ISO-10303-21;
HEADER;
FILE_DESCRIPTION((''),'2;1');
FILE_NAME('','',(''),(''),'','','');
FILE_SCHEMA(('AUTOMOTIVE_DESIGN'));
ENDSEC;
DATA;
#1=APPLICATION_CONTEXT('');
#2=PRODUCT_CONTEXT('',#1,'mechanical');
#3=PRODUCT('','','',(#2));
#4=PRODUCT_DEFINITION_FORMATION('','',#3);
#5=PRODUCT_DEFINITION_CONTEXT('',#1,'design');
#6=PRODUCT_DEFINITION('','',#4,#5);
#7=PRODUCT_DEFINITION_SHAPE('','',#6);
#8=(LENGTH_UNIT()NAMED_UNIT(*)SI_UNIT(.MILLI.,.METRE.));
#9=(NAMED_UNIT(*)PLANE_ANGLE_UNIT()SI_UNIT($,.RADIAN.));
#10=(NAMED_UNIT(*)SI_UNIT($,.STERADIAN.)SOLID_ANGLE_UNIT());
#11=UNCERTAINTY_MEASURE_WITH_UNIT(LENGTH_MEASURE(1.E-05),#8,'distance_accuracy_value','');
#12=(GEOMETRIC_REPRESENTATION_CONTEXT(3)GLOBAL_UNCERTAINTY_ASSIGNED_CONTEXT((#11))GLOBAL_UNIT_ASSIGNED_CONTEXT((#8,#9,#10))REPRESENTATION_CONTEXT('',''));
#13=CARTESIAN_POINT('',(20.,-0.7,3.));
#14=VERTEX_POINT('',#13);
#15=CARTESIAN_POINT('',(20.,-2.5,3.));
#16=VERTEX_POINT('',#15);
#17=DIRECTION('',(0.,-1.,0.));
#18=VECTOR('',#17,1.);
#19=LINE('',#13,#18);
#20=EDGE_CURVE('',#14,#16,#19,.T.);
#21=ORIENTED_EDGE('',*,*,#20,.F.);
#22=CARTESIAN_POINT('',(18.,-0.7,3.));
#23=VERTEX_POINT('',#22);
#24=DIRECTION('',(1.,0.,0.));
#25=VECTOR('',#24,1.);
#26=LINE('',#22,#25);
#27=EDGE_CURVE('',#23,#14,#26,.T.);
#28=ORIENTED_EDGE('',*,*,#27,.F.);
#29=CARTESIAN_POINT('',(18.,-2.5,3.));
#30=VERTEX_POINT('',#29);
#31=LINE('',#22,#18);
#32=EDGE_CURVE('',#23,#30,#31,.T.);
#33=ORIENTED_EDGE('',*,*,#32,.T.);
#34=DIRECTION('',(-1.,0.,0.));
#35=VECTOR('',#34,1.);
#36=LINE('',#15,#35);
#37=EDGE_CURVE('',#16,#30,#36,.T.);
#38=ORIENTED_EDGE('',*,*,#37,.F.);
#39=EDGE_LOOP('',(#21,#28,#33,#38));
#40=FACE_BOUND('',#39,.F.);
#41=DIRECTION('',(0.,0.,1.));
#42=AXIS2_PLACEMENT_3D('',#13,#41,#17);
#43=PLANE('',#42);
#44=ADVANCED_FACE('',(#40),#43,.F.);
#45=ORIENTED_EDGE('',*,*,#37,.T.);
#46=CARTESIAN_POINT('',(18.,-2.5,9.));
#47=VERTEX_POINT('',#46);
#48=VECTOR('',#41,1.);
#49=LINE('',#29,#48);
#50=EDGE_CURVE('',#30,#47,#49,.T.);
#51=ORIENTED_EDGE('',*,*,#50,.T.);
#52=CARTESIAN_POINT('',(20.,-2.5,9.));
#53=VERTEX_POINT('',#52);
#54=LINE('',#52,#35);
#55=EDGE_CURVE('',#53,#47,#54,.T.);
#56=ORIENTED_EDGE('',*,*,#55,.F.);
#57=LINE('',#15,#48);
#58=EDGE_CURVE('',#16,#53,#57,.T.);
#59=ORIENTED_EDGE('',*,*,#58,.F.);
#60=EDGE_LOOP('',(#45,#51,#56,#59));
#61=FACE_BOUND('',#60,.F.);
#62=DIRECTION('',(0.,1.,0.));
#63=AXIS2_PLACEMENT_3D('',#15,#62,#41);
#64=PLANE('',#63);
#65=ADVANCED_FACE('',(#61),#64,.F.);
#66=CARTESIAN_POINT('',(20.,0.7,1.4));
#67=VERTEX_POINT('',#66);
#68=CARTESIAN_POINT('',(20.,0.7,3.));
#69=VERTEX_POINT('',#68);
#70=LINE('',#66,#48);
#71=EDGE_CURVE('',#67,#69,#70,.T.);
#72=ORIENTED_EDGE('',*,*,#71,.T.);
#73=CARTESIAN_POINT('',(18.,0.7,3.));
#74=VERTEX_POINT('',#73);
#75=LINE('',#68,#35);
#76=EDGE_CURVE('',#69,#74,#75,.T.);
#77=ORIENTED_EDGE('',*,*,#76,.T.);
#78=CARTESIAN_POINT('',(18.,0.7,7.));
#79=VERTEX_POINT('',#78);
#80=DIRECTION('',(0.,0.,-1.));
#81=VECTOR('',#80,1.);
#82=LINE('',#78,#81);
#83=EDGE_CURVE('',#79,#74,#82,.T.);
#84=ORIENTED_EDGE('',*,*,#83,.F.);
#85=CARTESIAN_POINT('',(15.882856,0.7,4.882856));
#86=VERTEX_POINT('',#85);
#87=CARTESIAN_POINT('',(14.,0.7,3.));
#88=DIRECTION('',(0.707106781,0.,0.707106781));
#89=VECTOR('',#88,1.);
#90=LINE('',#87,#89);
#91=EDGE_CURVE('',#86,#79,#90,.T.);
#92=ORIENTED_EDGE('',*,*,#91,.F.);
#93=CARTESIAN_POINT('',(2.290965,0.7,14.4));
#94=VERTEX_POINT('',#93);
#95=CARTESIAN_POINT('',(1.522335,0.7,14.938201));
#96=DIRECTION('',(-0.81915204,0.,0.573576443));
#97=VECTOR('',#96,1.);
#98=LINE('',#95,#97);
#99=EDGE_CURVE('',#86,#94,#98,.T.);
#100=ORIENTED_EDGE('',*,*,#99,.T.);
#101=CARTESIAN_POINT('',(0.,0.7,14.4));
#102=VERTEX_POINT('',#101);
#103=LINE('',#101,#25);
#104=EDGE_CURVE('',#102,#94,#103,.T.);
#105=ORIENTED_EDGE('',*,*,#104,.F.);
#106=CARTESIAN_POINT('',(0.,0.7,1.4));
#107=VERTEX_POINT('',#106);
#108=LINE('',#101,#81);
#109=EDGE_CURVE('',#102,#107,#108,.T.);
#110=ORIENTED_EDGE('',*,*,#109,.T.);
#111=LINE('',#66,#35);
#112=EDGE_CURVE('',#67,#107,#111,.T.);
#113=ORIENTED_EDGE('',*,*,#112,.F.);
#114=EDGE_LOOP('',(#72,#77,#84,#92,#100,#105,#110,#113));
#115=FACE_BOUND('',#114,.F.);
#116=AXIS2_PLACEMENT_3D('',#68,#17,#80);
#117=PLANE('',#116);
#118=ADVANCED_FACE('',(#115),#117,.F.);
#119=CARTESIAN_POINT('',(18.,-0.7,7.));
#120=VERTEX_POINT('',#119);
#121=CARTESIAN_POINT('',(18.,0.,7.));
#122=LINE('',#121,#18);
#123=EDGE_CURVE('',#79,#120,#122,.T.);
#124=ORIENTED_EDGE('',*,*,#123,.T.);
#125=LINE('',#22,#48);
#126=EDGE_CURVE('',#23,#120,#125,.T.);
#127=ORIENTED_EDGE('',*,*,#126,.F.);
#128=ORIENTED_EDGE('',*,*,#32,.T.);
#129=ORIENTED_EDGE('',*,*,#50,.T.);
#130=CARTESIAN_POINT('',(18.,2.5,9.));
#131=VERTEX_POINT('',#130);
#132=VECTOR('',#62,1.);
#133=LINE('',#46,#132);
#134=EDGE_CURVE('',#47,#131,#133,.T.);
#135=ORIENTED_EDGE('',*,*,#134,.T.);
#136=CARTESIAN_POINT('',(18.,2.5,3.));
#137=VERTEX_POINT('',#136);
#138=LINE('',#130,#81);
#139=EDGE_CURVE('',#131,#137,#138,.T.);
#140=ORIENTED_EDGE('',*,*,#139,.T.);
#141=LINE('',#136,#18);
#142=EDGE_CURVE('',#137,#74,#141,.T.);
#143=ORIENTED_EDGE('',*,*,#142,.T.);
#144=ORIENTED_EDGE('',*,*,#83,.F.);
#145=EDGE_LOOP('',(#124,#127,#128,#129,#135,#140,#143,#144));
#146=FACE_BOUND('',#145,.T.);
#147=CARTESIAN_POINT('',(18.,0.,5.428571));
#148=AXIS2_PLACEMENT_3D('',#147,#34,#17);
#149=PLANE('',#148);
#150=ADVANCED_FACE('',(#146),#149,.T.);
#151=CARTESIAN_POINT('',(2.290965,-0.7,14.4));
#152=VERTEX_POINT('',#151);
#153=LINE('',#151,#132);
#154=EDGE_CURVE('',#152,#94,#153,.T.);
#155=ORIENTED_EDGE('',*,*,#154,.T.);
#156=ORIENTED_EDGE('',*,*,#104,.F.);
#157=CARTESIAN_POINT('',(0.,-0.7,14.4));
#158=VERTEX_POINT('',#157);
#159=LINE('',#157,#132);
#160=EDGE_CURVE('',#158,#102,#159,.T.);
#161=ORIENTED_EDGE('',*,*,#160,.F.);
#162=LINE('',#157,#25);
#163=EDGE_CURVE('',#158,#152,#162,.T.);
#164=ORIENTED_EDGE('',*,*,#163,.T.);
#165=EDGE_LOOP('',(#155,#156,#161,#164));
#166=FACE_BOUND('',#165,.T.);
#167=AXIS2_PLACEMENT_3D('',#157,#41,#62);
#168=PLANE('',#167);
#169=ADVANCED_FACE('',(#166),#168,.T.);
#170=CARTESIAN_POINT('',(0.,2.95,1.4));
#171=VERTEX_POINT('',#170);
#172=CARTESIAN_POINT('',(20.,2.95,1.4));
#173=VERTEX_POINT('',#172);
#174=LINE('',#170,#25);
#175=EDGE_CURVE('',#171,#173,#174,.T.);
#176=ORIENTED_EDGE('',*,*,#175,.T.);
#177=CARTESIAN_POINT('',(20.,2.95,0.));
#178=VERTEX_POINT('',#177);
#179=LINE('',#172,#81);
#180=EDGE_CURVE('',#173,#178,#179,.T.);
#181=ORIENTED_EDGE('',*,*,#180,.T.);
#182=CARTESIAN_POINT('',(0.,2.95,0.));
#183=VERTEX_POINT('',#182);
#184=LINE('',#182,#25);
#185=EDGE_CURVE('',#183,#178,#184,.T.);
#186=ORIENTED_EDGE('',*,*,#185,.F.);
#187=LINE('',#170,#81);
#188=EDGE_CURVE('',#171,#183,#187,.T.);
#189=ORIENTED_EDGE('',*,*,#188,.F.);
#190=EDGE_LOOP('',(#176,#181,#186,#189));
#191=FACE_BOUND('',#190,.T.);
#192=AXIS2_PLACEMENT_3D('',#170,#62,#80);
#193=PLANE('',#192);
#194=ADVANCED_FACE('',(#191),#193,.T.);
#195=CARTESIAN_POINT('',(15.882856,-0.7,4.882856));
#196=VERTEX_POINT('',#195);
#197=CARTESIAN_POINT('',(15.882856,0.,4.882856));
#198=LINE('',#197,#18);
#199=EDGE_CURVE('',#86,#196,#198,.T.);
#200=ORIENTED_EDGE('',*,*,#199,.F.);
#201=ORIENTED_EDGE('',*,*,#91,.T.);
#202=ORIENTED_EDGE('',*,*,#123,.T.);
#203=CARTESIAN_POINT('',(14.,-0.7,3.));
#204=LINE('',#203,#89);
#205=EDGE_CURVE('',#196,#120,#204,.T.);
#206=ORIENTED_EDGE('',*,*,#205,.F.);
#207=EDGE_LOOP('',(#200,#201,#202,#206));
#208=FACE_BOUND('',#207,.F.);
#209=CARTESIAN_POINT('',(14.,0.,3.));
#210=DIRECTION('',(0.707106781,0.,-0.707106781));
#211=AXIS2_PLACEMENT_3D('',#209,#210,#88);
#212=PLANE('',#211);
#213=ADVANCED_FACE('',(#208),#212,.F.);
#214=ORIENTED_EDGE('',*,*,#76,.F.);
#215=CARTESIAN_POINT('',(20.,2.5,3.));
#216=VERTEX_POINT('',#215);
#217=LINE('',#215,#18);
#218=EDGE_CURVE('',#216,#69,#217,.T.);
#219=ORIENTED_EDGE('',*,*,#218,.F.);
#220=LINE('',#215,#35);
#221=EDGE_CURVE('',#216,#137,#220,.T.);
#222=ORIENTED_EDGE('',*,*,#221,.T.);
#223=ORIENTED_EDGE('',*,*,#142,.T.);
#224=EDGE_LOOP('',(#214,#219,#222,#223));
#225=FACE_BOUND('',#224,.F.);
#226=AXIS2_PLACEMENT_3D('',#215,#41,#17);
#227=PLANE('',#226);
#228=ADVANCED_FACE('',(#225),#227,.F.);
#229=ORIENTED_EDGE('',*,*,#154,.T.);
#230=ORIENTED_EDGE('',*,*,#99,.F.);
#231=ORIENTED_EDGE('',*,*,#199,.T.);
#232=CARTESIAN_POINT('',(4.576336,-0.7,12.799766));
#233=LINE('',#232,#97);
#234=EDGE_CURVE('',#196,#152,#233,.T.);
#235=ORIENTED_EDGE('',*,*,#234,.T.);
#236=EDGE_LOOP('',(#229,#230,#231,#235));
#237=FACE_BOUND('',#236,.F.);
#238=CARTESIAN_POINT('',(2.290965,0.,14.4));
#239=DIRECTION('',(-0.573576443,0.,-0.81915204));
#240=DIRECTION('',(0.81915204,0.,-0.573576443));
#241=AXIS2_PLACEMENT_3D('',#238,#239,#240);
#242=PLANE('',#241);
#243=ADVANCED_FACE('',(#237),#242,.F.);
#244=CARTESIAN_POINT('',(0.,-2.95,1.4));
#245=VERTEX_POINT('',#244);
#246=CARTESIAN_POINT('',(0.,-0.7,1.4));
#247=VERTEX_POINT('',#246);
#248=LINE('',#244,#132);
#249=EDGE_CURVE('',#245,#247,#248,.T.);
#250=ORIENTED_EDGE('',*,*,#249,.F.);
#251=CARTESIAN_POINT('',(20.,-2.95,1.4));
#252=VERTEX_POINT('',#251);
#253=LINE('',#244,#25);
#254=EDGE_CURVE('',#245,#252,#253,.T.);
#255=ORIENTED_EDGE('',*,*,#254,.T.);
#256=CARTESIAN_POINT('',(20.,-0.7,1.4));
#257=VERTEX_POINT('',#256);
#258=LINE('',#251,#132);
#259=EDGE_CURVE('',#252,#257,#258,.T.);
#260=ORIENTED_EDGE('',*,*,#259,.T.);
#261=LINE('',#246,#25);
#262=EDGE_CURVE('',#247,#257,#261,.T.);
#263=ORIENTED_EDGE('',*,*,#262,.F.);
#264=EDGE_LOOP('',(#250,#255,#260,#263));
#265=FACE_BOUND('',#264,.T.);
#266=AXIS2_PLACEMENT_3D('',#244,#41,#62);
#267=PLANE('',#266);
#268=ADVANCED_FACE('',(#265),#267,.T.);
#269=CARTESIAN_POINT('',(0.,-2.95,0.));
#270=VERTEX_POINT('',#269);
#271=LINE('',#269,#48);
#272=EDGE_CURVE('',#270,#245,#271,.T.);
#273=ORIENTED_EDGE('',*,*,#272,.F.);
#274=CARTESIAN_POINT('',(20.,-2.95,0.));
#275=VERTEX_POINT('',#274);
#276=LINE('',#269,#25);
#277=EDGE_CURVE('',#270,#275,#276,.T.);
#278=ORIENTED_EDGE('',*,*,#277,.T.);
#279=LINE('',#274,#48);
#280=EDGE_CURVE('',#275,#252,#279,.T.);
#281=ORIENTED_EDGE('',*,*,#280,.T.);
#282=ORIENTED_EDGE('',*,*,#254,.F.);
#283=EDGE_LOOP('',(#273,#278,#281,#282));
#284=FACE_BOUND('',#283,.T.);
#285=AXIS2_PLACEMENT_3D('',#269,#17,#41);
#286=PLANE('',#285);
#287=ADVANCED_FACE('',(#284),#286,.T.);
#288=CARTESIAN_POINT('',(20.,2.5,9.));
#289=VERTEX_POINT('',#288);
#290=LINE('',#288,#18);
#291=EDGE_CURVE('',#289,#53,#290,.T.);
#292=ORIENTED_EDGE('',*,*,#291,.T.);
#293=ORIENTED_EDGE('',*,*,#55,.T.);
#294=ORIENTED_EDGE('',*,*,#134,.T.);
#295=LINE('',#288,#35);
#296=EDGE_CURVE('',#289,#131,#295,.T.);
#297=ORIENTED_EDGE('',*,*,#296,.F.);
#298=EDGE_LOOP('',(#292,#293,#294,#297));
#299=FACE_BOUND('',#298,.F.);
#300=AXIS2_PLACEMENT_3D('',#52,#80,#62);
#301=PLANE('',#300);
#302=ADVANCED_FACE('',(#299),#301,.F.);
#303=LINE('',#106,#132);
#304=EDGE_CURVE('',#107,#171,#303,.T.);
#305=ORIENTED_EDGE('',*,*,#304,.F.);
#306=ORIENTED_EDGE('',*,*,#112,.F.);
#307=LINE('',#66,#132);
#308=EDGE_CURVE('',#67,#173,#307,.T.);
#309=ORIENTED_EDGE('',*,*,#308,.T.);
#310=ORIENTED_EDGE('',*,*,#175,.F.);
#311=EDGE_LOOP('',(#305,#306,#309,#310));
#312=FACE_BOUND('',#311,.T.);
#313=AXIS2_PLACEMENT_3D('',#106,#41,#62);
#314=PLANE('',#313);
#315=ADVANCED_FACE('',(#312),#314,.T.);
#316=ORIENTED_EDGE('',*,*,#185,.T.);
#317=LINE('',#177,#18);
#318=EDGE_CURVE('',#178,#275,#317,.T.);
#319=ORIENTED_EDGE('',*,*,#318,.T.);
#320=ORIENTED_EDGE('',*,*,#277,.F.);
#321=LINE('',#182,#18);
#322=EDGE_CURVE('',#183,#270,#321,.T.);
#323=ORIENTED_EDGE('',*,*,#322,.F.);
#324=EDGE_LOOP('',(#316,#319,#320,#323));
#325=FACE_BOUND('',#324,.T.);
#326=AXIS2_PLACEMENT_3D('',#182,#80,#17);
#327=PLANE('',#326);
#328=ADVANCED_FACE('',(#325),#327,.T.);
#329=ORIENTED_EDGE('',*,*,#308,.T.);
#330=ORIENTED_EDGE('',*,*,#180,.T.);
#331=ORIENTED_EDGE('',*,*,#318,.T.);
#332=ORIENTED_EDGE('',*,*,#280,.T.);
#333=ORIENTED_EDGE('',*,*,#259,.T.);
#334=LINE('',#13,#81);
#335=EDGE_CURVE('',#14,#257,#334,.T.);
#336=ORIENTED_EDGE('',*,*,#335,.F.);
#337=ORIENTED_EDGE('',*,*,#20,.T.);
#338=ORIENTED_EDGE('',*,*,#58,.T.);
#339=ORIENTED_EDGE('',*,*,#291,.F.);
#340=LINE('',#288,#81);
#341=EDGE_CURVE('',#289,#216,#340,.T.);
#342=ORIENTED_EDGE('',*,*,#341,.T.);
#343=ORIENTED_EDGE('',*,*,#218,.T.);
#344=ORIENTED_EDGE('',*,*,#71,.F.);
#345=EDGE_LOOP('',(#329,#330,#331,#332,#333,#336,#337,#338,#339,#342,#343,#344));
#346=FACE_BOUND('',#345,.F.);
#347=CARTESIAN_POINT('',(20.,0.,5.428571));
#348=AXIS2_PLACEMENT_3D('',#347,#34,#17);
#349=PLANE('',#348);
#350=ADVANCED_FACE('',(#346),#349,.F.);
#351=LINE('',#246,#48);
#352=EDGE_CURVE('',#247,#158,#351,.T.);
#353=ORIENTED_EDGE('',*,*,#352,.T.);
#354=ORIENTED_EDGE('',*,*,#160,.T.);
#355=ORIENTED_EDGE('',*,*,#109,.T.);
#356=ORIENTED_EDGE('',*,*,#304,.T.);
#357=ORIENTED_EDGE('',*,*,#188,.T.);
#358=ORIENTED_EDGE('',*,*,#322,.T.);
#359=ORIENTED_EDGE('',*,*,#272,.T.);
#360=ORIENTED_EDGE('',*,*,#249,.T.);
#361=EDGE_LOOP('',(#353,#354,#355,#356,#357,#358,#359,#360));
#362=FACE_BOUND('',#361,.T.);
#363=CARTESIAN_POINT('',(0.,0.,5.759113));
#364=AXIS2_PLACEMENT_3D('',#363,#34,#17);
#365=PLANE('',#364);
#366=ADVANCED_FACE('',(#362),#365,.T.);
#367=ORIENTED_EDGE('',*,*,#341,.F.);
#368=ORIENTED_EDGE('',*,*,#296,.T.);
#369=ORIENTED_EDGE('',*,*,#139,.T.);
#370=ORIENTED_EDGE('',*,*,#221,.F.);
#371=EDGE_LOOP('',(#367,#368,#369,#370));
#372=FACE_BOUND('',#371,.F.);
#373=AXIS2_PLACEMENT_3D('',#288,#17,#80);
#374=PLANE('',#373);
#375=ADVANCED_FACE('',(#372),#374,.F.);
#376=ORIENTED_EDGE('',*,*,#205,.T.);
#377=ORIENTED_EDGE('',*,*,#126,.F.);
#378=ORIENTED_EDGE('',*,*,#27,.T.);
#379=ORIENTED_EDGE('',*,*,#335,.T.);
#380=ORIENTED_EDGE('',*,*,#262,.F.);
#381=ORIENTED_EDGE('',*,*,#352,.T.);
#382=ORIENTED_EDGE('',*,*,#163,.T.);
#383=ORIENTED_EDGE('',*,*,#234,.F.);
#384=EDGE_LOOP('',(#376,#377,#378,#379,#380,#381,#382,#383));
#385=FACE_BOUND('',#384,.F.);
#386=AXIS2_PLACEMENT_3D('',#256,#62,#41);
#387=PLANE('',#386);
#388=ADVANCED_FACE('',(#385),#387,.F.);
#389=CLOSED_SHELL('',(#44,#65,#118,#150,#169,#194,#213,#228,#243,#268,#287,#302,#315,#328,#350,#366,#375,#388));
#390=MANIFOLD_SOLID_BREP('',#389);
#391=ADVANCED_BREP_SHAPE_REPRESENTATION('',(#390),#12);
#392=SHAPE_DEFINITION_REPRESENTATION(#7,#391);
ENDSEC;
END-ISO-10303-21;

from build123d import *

# Parameters (mm, degrees)
PAD_DEPTH         = 20
POCKET_DEPTH      = 2.951
POCKET_DEPTH_BACK = -2.951
PAD001_DEPTH      = 2
PAD002_DEPTH      = 0.7


with BuildPart() as part:
    # Sketch → Pad (new body)
    with BuildSketch(Plane.YZ):
        Polygon((-2.95, 0), (-2.95, 1.4), (-0.7, 1.4), (-0.7, 14.4), (0.7, 14.4), (0.7, 1.4), (2.95, 1.4), (2.95, 0), align=None)
    extrude(amount=PAD_DEPTH)

    # Sketch002 → Pocket (cut, two sides)
    with BuildSketch(Plane.XZ) as pocket_sk:
        Polygon((20, 14.4), (2.290965, 14.4), (20, 2), align=None)
    extrude(amount=-POCKET_DEPTH, mode=Mode.SUBTRACT)
    extrude(pocket_sk.sketch, amount=-POCKET_DEPTH_BACK, mode=Mode.SUBTRACT)

    # Sketch001 (on DatumPlane) → Pad001 (join)
    with BuildSketch(Plane.YZ.offset(20)):
        Polygon((-2.5, 9), (2.5, 9), (2.5, 3), (0.7, 3), (0.7, 1.4), (-0.7, 1.4), (-0.7, 3), (-2.5, 3), align=None)
    extrude(amount=-PAD001_DEPTH)

    # Sketch003 → Pad002 (join, symmetric)
    with BuildSketch(Plane.XZ):
        Polygon((20, 3), (14, 3), (20, 9), align=None)
    extrude(amount=PAD002_DEPTH, both=True)


solid = part.part
